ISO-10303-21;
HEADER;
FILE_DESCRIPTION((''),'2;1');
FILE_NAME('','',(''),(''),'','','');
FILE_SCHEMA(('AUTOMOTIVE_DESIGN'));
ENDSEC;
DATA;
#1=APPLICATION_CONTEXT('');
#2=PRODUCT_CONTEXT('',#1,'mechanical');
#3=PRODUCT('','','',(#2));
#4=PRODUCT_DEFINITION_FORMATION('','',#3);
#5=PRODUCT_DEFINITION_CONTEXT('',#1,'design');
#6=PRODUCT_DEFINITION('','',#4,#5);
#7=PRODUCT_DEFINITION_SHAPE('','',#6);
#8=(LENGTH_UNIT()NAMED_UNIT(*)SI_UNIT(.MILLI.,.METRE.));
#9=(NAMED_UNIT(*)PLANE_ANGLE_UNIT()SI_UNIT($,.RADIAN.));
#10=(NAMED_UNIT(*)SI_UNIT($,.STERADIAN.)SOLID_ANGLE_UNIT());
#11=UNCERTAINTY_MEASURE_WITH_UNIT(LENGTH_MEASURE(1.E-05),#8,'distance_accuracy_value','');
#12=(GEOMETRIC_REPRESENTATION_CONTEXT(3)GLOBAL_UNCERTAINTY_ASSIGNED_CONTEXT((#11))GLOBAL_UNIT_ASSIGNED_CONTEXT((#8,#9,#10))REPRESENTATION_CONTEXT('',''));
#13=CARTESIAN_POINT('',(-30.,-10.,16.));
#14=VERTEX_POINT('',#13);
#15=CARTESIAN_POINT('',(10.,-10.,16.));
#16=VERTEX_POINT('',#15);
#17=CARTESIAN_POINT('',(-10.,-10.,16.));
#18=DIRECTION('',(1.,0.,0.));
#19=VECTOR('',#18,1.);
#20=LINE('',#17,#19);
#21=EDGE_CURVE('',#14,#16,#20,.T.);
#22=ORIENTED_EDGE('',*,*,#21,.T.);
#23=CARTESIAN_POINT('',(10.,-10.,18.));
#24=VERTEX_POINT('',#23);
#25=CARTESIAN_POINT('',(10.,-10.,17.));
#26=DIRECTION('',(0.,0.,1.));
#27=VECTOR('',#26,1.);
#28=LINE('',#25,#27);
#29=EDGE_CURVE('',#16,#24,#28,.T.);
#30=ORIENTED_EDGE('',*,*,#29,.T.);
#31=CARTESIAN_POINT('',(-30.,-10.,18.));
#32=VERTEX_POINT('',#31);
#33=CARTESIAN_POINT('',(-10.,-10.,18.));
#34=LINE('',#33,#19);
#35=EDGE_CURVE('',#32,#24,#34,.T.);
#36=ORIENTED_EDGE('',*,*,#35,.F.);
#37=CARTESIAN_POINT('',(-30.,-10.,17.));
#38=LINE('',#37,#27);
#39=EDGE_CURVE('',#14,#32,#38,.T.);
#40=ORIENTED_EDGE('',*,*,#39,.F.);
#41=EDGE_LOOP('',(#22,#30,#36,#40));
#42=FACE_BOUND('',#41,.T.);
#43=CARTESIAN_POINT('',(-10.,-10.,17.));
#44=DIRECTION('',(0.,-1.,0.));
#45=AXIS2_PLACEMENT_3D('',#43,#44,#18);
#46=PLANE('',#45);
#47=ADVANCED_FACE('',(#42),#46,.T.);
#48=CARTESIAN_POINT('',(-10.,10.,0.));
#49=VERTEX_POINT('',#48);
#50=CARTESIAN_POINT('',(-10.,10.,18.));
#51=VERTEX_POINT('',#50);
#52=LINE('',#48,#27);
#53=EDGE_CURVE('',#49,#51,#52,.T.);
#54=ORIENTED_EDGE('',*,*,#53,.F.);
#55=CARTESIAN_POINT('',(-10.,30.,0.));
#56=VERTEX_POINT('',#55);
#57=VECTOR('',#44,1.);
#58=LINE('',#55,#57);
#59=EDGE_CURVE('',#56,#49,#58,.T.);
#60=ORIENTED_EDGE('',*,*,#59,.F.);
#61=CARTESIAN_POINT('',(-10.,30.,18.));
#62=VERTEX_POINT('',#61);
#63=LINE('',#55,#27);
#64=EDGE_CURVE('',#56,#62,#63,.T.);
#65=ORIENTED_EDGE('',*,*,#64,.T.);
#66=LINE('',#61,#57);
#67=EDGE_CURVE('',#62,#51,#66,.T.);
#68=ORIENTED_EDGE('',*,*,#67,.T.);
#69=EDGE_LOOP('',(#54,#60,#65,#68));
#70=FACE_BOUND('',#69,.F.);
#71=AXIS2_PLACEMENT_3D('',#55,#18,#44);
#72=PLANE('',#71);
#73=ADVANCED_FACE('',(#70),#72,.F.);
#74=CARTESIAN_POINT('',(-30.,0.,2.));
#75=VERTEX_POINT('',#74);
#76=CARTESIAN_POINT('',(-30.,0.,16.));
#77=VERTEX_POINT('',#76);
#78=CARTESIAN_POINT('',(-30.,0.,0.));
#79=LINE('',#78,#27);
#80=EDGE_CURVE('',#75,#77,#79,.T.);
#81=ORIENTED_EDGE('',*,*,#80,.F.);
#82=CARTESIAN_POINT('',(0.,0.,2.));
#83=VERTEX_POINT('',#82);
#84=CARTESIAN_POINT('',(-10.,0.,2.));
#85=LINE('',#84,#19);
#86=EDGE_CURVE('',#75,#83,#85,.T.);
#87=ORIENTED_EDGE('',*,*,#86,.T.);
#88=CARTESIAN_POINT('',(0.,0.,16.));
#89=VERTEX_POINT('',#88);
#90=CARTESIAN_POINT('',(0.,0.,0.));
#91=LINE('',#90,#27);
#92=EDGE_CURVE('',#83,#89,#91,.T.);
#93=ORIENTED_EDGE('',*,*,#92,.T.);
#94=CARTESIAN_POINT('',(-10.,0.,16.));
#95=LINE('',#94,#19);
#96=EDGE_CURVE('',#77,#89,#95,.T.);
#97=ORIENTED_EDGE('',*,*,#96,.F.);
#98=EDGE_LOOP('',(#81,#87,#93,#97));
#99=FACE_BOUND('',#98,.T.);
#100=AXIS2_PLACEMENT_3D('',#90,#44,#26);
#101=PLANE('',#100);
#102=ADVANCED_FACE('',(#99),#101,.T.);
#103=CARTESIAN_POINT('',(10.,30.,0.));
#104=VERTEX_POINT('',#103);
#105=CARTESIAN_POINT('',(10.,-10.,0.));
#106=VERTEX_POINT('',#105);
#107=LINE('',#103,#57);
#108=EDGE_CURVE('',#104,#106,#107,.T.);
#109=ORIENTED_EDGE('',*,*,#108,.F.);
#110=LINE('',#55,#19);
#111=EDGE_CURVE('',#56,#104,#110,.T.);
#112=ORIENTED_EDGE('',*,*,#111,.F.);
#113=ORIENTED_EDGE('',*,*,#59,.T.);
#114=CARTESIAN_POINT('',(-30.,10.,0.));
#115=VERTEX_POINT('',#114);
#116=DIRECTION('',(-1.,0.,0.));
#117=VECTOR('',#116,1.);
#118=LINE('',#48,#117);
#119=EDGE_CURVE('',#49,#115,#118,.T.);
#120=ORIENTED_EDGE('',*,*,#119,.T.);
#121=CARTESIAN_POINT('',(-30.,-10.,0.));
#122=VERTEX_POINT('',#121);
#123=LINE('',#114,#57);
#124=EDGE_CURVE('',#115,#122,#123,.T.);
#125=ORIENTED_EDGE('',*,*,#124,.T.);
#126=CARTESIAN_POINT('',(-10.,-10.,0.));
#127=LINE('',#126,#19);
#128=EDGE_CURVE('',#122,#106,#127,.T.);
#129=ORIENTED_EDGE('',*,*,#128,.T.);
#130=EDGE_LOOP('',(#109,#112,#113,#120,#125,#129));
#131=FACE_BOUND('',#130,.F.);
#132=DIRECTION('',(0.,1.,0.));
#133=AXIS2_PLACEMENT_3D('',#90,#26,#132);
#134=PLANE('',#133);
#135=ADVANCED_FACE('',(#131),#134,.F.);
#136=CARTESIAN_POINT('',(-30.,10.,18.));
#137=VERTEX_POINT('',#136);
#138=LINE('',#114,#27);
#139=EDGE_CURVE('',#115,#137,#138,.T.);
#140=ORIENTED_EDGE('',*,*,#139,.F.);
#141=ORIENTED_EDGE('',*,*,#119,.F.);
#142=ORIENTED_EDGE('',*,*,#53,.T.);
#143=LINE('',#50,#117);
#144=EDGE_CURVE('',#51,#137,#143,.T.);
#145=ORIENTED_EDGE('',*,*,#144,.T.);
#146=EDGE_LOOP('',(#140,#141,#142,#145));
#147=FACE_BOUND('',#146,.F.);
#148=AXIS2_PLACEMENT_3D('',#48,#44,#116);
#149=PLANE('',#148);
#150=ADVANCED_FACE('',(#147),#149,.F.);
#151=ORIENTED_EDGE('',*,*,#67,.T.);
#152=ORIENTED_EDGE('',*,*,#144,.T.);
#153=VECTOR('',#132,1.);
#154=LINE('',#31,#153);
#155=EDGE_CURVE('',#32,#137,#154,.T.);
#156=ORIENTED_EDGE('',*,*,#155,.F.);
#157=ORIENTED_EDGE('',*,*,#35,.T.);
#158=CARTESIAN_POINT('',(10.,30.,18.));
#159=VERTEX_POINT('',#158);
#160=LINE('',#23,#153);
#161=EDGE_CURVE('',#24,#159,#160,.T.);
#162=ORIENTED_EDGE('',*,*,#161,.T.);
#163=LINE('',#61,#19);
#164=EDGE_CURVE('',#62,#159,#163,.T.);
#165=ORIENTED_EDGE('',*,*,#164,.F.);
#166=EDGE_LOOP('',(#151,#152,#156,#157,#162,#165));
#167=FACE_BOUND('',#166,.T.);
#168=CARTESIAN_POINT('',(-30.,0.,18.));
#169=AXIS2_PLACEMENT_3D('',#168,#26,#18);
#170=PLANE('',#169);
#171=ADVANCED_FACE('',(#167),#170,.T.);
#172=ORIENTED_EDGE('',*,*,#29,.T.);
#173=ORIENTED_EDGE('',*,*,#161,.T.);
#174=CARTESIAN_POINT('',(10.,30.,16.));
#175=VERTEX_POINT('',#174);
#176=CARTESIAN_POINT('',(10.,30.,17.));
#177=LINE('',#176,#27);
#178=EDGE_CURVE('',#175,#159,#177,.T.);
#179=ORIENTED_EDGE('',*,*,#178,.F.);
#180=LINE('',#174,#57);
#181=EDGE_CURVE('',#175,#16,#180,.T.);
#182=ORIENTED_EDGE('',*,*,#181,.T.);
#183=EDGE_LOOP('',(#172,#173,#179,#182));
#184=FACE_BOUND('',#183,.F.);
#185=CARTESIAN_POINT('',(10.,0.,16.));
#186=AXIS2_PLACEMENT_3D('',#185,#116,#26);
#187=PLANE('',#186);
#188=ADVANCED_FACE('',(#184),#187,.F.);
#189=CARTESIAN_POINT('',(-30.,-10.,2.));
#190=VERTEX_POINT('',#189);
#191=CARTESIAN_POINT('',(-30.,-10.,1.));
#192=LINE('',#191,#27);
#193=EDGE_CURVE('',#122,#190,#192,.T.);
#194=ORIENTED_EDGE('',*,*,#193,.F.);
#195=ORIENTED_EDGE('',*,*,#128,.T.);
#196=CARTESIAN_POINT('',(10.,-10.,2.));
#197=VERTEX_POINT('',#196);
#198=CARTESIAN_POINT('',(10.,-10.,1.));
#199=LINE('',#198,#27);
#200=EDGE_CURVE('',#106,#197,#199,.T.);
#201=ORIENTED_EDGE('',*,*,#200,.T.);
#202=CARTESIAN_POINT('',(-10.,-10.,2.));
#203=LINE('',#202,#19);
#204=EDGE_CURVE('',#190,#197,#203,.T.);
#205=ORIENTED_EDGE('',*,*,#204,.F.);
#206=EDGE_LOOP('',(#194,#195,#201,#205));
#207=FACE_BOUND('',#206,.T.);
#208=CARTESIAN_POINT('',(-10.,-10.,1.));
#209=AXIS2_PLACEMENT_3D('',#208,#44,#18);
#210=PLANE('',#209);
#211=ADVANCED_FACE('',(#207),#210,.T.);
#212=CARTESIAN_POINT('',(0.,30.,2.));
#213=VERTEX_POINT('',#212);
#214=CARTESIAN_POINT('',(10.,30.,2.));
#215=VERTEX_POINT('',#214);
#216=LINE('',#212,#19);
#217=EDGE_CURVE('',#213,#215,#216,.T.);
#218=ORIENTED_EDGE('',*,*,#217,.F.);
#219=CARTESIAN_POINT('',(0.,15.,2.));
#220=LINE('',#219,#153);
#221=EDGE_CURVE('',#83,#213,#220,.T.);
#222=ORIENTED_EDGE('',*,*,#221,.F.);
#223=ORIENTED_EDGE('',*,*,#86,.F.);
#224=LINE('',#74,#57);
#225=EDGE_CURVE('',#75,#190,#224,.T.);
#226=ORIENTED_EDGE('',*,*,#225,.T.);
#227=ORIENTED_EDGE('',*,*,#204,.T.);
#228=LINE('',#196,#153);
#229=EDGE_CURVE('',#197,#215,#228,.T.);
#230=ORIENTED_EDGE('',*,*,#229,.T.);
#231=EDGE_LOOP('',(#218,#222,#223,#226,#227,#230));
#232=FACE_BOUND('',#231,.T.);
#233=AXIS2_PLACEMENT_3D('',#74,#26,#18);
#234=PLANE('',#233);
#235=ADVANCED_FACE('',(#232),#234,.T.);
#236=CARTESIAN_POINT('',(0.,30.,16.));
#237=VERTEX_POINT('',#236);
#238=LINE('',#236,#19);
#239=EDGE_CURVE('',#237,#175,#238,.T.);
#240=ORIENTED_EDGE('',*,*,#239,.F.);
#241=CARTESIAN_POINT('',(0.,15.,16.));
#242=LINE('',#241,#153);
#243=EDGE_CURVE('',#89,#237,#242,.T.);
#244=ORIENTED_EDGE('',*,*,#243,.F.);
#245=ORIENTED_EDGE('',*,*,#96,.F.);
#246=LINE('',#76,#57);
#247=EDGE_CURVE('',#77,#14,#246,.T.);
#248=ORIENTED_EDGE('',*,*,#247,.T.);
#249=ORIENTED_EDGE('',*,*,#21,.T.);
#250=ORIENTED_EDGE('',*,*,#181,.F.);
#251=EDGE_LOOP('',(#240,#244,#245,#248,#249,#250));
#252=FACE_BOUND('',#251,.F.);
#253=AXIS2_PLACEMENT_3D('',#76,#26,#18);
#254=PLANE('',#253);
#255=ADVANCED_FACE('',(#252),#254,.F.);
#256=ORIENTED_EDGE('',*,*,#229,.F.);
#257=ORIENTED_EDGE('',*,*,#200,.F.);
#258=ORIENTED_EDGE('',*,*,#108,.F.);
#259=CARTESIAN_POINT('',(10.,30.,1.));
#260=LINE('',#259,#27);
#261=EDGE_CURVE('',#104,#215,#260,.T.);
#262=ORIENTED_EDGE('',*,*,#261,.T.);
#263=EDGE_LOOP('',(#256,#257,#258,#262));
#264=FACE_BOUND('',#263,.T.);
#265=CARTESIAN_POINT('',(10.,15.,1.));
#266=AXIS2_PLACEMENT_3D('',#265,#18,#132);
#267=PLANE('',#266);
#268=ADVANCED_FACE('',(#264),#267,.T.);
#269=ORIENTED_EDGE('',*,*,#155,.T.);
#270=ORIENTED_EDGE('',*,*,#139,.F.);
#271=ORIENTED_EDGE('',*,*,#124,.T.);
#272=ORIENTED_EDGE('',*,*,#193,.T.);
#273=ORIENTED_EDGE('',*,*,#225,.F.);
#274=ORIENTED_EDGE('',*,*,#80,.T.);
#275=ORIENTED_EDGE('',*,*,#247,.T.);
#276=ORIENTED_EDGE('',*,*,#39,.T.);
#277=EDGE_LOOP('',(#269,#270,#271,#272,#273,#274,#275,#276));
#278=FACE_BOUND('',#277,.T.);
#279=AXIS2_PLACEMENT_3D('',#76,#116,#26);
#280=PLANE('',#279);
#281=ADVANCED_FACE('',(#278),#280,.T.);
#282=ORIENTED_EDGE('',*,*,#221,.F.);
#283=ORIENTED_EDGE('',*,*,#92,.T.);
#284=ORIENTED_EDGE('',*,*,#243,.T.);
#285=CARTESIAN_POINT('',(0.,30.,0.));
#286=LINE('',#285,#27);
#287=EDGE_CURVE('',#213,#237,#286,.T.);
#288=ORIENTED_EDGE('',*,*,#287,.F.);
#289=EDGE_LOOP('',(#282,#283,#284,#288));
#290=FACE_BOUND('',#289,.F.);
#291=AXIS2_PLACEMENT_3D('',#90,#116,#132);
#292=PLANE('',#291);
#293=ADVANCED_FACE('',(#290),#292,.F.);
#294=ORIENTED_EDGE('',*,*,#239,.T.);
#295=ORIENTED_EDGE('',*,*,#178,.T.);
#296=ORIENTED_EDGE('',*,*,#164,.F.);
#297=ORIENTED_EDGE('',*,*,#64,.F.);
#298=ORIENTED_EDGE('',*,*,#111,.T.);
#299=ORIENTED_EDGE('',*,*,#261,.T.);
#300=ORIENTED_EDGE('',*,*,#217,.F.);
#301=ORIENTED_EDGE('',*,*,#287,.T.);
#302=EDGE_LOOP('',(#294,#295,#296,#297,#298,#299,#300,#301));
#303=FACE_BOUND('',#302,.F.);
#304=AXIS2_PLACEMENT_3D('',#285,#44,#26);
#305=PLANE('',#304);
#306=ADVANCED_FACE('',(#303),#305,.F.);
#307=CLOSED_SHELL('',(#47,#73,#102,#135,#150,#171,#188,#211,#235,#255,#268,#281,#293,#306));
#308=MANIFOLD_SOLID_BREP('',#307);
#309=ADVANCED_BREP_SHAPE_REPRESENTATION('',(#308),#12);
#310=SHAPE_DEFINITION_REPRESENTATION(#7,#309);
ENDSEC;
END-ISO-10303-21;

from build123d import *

# Parameters (mm, degrees)
F1_DEPTH = 18
F2_W     = 30
F2_H     = 2
F3_DEPTH = 10
F4_W     = 40
F4_H     = 2
F5_DEPTH = 10


with BuildPart() as f1:
    # F0 (on Top) → F1 (new body)
    with BuildSketch(Plane.XY):
        Polygon((0, 30), (-10, 30), (-10, 10), (-30, 10), (-30, 0), (0, 0), align=None)
    extrude(amount=F1_DEPTH)

    # F2 (on face) → F3 (join)
    with BuildSketch(Plane.YZ):
        with Locations((15, 1)):
            Rectangle(F2_W, F2_H)
        with Locations((15, 17)):
            Rectangle(F2_W, F2_H)
    extrude(amount=F3_DEPTH)

    # F4 (on face) → F5 (join)
    with BuildSketch(Plane.XZ):
        with Locations((-10, 17)):
            Rectangle(F4_W, F4_H)
        with Locations((-10, 1)):
            Rectangle(F4_W, F4_H)
    extrude(amount=F5_DEPTH)


solid = f1.part
